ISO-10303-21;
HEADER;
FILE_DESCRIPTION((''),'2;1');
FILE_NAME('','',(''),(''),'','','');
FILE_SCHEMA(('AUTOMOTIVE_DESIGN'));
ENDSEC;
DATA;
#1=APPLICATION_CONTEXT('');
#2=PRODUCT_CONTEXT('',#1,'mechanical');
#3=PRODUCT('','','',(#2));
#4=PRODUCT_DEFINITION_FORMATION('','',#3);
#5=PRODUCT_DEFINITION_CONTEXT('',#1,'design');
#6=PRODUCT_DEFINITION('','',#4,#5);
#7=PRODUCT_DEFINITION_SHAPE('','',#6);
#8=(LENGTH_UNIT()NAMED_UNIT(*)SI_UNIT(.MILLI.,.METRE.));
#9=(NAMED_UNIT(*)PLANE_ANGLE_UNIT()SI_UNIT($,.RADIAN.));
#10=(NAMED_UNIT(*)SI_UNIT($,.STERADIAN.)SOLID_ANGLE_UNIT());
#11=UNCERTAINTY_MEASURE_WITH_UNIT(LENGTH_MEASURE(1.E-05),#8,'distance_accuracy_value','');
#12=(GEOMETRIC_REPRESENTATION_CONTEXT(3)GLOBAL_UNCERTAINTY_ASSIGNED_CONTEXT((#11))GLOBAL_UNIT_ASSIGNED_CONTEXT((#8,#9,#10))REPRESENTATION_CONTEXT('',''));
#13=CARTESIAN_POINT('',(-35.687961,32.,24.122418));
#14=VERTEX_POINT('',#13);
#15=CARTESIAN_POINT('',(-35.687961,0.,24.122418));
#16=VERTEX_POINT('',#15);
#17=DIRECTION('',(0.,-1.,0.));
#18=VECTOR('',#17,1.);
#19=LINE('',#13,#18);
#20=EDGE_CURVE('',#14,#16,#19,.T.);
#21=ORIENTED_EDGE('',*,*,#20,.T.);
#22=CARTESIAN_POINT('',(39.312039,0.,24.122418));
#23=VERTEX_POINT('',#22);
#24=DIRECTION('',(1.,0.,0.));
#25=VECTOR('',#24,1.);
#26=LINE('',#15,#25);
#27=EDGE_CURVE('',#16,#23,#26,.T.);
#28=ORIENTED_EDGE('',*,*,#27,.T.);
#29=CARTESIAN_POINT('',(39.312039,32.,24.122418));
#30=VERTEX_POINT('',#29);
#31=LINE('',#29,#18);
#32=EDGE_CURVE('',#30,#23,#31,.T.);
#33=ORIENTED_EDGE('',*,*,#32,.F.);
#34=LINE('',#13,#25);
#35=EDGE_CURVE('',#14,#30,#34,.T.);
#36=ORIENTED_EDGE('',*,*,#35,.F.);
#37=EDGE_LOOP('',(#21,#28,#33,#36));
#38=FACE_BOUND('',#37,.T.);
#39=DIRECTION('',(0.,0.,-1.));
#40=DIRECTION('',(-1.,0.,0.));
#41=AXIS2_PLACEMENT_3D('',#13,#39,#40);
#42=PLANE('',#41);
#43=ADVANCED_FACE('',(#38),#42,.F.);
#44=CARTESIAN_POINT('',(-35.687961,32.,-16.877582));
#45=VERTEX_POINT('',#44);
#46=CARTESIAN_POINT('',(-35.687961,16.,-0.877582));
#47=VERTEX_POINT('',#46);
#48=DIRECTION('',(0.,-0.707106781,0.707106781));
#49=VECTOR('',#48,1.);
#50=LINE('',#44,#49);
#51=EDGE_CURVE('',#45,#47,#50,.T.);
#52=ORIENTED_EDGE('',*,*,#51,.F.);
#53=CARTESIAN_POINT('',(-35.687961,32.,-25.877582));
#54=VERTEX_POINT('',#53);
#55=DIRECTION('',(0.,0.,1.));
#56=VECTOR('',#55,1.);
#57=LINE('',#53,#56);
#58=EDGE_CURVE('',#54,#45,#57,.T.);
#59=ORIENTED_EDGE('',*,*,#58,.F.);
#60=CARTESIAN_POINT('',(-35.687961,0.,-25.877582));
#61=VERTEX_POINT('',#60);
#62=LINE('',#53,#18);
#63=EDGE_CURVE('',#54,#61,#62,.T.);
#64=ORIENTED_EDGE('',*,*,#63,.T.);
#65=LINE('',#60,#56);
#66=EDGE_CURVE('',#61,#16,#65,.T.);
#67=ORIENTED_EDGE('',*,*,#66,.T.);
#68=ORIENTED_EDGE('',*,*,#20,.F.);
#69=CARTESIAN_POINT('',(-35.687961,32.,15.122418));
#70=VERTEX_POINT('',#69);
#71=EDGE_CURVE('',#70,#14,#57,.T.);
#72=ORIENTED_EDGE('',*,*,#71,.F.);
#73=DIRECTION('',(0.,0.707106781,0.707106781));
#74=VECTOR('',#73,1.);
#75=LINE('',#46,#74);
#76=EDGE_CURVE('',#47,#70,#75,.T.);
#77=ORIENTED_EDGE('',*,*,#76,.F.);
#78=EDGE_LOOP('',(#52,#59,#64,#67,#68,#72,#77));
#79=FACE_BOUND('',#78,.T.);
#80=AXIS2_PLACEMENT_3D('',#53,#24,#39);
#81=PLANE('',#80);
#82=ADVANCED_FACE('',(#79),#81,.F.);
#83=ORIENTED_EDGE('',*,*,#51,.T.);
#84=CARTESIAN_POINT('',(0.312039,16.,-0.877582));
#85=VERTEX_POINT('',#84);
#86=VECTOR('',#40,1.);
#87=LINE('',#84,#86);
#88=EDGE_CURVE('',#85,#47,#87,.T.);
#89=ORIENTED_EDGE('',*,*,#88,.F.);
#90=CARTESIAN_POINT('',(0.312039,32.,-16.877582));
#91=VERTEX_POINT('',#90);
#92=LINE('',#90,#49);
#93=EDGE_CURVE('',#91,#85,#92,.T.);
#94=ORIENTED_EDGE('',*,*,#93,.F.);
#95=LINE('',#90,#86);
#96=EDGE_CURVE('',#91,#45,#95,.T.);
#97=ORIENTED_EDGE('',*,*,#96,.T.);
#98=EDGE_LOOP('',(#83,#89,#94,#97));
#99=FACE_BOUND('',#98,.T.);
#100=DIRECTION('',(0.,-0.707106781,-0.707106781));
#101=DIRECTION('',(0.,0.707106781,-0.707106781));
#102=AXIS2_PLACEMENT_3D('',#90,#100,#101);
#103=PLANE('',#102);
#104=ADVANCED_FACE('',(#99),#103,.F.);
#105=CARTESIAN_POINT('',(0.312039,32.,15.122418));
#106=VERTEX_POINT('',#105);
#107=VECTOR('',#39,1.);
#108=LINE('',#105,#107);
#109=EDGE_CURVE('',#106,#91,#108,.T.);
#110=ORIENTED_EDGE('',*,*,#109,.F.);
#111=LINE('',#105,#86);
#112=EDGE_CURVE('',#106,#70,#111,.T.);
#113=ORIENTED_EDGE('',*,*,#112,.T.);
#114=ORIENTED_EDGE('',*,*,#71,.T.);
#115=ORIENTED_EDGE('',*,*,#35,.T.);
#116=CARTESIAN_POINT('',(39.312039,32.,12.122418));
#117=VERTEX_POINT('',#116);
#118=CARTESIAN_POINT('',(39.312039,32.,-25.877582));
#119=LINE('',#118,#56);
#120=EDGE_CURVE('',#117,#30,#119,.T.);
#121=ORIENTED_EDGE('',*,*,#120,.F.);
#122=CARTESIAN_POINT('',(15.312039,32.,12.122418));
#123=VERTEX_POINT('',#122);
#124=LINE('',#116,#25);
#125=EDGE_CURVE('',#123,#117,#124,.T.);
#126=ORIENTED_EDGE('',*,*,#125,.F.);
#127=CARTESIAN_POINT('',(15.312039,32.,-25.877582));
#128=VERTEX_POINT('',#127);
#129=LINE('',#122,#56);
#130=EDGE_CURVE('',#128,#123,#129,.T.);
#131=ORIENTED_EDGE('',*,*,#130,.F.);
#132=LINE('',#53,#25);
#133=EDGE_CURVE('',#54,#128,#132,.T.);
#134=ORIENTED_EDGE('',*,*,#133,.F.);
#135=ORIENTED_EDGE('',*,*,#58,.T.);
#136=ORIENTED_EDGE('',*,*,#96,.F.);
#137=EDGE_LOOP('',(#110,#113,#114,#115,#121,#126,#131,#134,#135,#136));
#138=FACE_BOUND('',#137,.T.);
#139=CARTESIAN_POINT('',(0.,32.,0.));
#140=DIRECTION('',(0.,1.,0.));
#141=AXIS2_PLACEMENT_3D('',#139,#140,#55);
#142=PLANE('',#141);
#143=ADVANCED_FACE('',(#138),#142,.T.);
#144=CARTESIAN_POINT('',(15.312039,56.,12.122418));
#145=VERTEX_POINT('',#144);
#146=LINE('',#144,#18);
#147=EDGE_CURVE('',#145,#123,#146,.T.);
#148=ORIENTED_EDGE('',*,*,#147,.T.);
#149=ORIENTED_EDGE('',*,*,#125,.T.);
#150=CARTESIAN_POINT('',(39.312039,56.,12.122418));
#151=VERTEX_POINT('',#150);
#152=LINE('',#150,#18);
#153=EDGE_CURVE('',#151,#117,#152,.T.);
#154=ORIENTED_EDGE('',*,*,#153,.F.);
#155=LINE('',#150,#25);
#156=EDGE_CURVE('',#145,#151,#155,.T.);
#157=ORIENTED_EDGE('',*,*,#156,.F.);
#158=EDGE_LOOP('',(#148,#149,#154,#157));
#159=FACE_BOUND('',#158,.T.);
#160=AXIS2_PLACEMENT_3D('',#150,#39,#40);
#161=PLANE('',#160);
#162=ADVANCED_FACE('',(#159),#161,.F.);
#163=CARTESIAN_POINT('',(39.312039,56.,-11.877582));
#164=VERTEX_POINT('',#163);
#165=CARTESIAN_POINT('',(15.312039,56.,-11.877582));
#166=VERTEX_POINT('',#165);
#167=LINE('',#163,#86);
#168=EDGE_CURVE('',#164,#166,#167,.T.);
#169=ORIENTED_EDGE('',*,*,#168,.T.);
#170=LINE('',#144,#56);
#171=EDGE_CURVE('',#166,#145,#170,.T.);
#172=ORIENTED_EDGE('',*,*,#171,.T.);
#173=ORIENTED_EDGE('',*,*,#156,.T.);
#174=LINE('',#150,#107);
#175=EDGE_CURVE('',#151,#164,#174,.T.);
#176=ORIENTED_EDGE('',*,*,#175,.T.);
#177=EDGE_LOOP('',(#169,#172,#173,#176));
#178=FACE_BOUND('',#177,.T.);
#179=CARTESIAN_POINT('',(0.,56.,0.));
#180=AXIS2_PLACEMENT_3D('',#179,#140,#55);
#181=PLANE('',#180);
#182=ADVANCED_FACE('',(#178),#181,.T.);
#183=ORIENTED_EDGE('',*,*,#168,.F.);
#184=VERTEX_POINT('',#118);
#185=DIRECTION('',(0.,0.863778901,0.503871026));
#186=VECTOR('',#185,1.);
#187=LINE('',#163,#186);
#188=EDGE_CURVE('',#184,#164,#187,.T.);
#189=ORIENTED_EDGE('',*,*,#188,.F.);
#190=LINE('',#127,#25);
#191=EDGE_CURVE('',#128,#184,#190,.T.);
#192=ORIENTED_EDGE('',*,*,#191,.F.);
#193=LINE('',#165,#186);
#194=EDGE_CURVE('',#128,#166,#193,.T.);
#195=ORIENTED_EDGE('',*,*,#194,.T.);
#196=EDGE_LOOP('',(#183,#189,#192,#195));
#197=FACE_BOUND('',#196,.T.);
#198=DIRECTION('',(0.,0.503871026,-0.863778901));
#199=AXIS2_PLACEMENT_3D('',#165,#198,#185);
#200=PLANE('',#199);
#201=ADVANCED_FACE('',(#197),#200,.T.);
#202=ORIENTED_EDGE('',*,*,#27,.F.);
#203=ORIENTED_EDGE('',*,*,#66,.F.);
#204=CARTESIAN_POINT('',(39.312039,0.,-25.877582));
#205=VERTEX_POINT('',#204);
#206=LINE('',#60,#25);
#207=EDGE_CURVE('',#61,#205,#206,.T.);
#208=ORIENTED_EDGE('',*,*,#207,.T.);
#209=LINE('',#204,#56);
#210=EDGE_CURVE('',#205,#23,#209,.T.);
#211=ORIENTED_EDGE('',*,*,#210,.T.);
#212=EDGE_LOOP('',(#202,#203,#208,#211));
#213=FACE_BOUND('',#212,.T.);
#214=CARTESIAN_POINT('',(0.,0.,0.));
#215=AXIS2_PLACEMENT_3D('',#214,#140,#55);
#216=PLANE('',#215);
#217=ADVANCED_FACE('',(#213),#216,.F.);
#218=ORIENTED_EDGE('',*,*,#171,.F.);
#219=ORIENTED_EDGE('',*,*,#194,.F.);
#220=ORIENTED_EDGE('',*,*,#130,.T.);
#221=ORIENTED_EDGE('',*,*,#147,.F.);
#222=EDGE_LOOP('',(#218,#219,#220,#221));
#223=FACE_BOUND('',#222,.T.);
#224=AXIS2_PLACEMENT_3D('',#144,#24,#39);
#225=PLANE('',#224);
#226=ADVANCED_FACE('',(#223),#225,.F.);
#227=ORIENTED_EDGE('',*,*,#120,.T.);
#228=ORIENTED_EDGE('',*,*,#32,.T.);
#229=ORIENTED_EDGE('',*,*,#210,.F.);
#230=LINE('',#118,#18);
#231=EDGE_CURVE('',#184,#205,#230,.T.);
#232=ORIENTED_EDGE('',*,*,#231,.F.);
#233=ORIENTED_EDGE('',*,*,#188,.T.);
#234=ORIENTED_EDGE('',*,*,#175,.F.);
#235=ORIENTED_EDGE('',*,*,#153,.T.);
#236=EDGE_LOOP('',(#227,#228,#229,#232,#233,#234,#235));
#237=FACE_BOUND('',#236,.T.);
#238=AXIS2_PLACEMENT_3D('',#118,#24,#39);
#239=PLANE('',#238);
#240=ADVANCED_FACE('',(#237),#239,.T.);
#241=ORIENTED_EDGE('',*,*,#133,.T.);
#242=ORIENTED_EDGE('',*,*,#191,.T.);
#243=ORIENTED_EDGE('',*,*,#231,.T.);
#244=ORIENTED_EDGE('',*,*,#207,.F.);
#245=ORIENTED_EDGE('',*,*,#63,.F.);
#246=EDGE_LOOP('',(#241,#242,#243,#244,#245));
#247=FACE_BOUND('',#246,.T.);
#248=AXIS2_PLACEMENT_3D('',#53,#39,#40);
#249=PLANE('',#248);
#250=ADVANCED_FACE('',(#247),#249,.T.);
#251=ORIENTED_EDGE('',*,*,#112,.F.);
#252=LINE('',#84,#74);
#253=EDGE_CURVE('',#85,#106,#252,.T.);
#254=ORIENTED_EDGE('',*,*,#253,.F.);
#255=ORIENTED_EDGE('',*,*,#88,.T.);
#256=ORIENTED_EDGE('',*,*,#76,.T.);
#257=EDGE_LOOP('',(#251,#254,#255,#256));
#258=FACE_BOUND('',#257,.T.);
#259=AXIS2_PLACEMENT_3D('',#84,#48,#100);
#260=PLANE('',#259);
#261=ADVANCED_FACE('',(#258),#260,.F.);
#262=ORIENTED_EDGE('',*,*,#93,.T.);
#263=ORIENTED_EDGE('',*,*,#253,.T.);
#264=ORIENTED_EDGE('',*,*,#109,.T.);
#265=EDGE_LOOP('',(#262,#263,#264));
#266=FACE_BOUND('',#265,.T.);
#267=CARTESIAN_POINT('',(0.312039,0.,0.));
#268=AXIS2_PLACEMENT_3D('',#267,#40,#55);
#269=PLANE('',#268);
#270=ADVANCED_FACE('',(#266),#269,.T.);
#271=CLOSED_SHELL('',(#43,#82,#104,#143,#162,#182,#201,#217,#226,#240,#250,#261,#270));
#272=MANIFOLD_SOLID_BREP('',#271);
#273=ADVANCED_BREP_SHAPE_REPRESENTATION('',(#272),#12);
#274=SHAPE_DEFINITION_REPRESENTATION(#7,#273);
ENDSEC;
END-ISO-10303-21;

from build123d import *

# Parameters (mm, degrees)
SKETCH2_W           = 75
SKETCH2_H           = 50
BOSS_EXTRUDE1_DEPTH = 32
CUT_EXTRUDE1_DEPTH  = 36
SKETCH5_W           = 24
SKETCH5_H           = 24
BOSS_EXTRUDE3_DEPTH = 24
BOSS_EXTRUDE4_DEPTH = 24


with BuildPart() as part:
    # Sketch2 → Boss-Extrude1 (new body)
    with BuildSketch(Plane(origin=(0, 0, 0), x_dir=(1, 0, 0), z_dir=(0, 1, 0))):
        with Locations((1.812039309, 0.877582126)):
            Rectangle(SKETCH2_W, SKETCH2_H)
    extrude(amount=BOSS_EXTRUDE1_DEPTH)

    # Sketch4 → Cut-Extrude1 (cut)
    with BuildSketch(Plane.ZY.offset(35.687960691)):
        Polygon((-16.877582126, 32), (-0.877582126, 16), (15.122417874, 32), align=None)
    extrude(amount=-CUT_EXTRUDE1_DEPTH, mode=Mode.SUBTRACT)

    # Sketch5 → Boss-Extrude3 (add)
    with BuildSketch(Plane(origin=(0, 32, 0), x_dir=(1, 0, 0), z_dir=(0, 1, 0))):
        with Locations((27.312039309, -0.122417874)):
            Rectangle(SKETCH5_W, SKETCH5_H)
    extrude(amount=BOSS_EXTRUDE3_DEPTH)

    # Sketch6 → Boss-Extrude4 (add)
    with BuildSketch(Plane(origin=(39.312039309, 0, 0), x_dir=(0, 0, -1), z_dir=(1, 0, 0))):
        Polygon((11.877582126, 56), (25.877582126, 32), (11.877582126, 32), align=None)
    extrude(amount=-BOSS_EXTRUDE4_DEPTH)


solid = part.part
